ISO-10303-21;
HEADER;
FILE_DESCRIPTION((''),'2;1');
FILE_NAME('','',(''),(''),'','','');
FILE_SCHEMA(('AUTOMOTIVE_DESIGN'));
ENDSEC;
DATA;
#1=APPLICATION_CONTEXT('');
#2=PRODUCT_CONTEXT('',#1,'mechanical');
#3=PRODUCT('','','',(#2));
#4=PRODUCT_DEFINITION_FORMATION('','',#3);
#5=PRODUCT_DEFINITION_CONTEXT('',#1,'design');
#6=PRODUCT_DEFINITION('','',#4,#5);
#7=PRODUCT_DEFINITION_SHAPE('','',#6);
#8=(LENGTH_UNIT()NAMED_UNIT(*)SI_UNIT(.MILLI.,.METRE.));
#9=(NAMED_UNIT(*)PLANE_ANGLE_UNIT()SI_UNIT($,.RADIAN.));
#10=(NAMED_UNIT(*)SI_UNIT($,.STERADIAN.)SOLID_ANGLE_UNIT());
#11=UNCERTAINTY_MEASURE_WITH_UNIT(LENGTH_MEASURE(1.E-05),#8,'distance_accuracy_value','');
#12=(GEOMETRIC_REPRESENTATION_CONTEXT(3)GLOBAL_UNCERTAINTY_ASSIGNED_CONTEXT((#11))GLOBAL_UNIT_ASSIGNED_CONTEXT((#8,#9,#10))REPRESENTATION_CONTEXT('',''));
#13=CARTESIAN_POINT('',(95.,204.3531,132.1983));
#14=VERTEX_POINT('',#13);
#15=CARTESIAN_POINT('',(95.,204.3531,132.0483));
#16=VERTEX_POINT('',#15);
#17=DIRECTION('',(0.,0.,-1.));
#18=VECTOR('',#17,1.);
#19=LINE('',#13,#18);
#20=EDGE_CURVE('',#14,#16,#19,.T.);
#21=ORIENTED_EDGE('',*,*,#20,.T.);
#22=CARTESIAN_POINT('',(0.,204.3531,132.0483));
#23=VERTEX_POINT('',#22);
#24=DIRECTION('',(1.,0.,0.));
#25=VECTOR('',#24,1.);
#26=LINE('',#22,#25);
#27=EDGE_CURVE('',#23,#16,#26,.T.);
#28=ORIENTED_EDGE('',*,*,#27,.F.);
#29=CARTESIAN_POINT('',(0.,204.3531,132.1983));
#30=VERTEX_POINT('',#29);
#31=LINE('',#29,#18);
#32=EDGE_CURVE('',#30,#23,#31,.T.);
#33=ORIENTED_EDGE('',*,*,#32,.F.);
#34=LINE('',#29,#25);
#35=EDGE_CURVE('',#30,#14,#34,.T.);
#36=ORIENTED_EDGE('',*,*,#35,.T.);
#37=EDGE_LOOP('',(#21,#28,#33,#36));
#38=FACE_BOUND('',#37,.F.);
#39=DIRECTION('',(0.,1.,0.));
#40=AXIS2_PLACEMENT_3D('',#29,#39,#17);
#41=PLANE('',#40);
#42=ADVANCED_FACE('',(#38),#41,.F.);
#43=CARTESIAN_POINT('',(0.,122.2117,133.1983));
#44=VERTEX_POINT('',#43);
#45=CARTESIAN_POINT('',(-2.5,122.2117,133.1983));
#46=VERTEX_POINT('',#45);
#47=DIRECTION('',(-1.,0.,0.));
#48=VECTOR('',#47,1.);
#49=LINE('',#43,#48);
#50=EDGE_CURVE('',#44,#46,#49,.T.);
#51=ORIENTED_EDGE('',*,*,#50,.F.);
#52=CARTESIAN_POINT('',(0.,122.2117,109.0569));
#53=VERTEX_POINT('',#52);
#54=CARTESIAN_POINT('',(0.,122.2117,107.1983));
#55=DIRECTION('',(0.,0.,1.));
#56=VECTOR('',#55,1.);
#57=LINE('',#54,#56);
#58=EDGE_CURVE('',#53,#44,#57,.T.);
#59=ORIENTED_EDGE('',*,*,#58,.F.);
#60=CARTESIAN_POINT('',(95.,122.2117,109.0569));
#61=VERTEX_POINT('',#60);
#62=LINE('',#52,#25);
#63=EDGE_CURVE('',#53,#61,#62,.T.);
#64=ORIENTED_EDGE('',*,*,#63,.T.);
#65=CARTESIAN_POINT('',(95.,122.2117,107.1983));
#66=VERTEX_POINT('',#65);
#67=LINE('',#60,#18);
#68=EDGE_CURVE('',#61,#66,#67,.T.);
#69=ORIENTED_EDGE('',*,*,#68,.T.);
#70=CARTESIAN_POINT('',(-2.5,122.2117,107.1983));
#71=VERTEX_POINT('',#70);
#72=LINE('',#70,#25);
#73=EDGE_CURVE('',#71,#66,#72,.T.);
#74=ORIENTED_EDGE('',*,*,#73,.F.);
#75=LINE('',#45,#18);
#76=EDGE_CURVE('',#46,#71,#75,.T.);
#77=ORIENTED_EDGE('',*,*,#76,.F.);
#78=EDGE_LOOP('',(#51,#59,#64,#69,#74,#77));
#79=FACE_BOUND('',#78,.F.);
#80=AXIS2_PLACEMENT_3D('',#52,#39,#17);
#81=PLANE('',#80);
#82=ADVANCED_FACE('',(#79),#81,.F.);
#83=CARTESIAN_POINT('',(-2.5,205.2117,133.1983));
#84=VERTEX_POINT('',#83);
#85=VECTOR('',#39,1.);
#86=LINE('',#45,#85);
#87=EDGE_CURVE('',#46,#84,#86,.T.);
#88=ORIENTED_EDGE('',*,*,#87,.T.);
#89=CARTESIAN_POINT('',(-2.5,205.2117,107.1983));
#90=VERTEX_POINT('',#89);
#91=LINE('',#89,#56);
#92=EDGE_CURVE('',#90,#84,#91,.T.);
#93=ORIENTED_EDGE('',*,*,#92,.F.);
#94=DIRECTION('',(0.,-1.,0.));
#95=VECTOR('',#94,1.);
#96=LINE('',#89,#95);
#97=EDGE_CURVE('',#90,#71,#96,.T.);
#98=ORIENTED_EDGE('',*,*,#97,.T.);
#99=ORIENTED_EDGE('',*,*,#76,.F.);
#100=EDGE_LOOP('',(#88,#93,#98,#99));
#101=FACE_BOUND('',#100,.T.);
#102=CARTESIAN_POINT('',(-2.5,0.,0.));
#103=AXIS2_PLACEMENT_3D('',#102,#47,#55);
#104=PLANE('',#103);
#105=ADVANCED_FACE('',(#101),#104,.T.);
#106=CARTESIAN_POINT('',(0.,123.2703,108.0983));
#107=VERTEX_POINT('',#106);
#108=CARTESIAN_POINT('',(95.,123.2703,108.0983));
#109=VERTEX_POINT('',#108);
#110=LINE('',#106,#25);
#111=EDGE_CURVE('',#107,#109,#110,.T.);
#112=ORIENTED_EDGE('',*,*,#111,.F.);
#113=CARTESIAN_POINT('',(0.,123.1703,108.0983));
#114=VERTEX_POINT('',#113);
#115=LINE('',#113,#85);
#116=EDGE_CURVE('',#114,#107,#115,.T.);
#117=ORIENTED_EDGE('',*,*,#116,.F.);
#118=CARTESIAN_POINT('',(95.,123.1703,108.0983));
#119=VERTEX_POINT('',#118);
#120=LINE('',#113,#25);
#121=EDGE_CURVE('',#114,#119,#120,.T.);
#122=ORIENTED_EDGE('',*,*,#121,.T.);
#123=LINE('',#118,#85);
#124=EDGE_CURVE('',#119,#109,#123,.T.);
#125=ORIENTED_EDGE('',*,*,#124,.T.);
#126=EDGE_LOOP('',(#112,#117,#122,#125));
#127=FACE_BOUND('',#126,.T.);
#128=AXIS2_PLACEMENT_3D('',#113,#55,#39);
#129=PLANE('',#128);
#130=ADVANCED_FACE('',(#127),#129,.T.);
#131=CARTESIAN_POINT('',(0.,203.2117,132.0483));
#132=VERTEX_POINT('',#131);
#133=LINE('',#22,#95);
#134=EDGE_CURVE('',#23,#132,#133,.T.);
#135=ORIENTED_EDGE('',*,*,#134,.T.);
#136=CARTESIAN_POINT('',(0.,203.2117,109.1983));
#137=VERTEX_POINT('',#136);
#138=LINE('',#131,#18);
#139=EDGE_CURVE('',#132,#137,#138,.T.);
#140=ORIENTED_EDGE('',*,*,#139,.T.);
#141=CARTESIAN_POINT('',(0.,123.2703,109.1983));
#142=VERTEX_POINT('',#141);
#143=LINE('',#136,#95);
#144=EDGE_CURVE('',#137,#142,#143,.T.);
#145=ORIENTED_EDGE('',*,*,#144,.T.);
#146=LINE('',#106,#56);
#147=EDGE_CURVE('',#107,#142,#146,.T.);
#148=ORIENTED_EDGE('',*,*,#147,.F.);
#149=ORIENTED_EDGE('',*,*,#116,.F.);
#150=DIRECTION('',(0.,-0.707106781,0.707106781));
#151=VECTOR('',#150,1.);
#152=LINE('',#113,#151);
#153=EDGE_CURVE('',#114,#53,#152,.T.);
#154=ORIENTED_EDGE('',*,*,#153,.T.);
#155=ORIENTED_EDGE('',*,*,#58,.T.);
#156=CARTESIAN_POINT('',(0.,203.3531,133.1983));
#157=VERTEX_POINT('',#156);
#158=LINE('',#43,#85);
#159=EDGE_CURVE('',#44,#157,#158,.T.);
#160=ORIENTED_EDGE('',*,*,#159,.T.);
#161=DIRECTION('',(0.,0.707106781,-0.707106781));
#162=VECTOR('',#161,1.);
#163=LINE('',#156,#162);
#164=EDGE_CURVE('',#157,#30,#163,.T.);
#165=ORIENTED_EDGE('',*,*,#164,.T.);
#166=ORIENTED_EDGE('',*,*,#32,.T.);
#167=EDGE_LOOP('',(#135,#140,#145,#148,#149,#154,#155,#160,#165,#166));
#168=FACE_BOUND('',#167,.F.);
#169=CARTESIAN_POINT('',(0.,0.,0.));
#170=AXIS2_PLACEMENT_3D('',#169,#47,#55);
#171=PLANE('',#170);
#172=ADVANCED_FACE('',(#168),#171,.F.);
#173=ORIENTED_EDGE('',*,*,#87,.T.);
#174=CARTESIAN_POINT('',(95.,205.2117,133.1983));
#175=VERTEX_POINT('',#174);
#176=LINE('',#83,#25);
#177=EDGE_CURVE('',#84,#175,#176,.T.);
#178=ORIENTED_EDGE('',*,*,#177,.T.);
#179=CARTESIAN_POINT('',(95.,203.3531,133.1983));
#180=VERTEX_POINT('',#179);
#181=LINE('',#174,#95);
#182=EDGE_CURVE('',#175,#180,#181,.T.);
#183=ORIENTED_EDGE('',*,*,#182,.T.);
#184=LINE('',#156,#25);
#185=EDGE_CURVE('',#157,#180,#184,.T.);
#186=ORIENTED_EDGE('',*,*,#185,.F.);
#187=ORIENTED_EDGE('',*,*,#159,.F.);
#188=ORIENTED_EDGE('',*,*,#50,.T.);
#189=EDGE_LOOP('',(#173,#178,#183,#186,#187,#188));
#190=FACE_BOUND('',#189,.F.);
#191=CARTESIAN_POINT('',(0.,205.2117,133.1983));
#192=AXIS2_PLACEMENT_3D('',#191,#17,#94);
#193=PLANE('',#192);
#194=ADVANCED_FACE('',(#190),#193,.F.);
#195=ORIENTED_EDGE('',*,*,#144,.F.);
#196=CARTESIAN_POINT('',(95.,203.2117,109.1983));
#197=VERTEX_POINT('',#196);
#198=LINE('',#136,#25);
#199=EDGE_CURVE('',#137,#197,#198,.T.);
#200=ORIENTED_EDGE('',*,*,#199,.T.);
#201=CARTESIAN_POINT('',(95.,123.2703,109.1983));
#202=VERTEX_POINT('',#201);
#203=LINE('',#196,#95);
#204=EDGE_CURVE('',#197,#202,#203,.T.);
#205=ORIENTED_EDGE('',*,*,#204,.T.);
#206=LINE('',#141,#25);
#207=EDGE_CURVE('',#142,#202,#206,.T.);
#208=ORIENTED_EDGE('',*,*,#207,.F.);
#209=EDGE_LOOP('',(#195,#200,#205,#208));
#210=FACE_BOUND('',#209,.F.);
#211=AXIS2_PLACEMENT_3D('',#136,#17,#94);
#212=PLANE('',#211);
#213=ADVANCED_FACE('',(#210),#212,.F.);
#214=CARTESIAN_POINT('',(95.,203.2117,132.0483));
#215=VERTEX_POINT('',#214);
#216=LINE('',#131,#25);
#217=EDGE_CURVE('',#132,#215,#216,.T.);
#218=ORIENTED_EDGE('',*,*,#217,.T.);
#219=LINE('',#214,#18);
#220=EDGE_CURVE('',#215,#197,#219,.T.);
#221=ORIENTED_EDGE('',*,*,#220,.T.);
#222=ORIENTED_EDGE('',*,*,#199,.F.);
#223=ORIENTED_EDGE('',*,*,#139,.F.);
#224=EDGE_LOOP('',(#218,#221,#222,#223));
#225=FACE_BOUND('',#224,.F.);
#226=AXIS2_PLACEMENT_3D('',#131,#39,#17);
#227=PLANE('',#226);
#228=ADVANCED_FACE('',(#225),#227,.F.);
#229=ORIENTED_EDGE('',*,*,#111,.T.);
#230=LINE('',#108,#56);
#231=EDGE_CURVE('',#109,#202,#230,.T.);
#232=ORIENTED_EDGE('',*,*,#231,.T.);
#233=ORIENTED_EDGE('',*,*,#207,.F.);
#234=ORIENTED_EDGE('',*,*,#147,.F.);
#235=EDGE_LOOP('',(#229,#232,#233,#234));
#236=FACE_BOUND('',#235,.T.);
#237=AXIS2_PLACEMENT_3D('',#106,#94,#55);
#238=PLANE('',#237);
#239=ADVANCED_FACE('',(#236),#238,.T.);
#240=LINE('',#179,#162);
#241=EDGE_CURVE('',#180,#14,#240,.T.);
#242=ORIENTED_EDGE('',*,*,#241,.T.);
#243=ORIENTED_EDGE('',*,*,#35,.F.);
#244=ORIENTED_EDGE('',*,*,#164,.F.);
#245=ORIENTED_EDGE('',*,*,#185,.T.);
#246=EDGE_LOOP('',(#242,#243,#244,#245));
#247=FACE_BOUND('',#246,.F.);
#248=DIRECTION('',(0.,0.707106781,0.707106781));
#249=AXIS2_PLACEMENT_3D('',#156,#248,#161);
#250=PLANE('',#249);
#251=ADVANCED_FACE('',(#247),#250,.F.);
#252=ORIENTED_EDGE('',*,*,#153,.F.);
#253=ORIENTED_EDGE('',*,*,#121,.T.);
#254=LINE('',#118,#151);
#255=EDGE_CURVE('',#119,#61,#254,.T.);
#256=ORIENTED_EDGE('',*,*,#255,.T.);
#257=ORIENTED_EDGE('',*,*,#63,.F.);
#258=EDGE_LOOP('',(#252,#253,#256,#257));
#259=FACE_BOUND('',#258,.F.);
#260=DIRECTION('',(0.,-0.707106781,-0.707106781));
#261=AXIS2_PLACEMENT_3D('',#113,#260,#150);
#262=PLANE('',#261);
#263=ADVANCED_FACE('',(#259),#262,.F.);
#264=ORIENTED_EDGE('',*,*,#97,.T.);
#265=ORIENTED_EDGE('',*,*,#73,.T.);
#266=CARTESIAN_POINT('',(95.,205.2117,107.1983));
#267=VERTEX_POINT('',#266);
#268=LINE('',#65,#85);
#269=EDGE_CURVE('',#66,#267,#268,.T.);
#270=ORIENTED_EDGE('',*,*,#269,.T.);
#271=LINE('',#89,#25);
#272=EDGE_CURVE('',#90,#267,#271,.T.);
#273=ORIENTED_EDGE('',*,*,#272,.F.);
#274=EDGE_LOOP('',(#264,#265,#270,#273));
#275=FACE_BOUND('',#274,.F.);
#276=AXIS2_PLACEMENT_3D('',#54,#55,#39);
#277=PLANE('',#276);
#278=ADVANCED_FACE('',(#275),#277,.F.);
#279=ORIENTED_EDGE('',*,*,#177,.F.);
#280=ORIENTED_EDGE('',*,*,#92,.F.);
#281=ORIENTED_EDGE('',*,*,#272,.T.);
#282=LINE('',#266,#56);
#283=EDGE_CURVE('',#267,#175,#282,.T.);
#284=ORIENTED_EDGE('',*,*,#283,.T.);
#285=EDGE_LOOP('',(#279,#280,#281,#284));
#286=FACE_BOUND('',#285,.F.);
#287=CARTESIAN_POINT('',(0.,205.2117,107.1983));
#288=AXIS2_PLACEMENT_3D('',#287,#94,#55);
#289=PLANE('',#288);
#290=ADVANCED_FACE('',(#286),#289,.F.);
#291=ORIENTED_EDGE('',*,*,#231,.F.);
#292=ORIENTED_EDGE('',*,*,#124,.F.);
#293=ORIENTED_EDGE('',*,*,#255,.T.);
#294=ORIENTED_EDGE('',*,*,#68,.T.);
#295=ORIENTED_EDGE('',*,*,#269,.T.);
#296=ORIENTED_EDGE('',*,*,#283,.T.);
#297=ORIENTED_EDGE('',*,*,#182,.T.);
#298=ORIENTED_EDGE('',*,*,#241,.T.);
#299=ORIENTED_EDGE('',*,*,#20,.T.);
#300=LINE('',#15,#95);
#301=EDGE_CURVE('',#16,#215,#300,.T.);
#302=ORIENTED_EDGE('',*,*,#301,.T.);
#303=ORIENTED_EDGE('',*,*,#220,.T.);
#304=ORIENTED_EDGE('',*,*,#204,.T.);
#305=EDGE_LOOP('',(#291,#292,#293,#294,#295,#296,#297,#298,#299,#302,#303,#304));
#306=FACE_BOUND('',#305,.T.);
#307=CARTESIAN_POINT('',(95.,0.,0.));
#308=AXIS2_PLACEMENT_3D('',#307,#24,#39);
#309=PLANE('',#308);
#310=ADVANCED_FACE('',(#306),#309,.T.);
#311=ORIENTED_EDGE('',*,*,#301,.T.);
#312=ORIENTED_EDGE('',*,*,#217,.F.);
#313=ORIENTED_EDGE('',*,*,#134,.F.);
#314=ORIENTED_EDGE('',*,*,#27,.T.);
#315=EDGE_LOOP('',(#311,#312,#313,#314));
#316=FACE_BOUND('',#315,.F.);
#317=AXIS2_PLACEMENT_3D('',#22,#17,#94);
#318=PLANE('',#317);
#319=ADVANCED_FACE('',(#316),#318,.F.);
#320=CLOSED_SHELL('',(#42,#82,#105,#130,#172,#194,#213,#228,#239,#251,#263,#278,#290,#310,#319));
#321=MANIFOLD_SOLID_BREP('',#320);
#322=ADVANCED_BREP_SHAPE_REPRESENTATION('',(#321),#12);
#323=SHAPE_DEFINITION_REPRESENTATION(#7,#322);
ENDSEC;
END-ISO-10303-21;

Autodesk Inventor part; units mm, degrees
ref_plane "YZ Plane" through (0, 0, 0) normal (1, 0, 0) x (0, 1, 0)
ref_plane "XZ Plane" through (0, 0, 0) normal (0, 1, 0) x (-1, 0, 0)
ref_plane "XY Plane" through (0, 0, 0) normal (0, 0, 1) x (1, 0, 0)
sketch "Skizze1" plane through (0, 0, 0) normal (1, 0, 0) x (0, 1, 0)
  line L0 (123.2117, 108.1983) -> (122.2117, 109.1983) construction
  line L1 (122.2117, 133.1983) -> (122.2117, 107.1983) construction
  line L2 (122.2117, 107.1983) -> (205.2117, 107.1983) construction
  line L3 (205.2117, 107.1983) -> (205.2117, 133.1983) construction
  line L4 (203.2117, 133.1983) -> (204.2117, 132.1983) construction
  line L5 (122.2117, 107.1983) -> (205.2117, 107.1983)
  line L6 (205.2117, 107.1983) -> (205.2117, 133.1983)
  line L7 (203.2117, 109.1983) -> (123.2703, 109.1983)
  line L8 (123.1703, 108.0983) -> (122.2117, 109.0569)
  line L9 (122.2117, 109.0569) -> (122.2117, 107.1983)
  line L10 (123.2703, 108.0983) -> (123.2703, 109.1983)
  line L11 (123.1703, 108.0983) -> (123.2703, 108.0983)
  line L12 (203.3531, 133.1983) -> (204.3531, 132.1983)
  line L13 (205.2117, 133.1983) -> (203.3531, 133.1983)
  line L14 (204.3531, 132.1983) -> (204.3531, 132.0483)
  line L15 (204.3531, 132.0483) -> (203.2117, 132.0483)
  line L16 (203.2117, 132.0483) -> (203.2117, 109.1983)
  point P0 (0, 0)
  dimension "d2" = 0.1
  dimension "d4" = 2
  dimension "d6" = 1.1
  dimension "d8" = 0.1
  dimension "d9" = 0.1
  dimension "d10" = 0.15
  dimension "d11" = 2
extrude "Extrusion1" add sketch "Skizze1" along normal blind 95
sketch "Skizze2" plane through (0, 0, 0) normal (-1, 0, 0) x (0, 0, 1)
  line L0 (107.1983, 205.2117) -> (133.1983, 205.2117) projected
  line L1 (109.0569, 122.2117) -> (107.1983, 122.2117) projected
  line L2 (133.1983, 205.2117) -> (107.1983, 205.2117)
  line L3 (107.1983, 205.2117) -> (107.1983, 122.2117)
  line L4 (107.1983, 122.2117) -> (133.1983, 122.2117)
  line L5 (133.1983, 122.2117) -> (133.1983, 205.2117)
  point P0 (0, 0)
extrude "Extrusion2" add sketch "Skizze2" along normal blind 2.5
properties part number "Batcap2"
